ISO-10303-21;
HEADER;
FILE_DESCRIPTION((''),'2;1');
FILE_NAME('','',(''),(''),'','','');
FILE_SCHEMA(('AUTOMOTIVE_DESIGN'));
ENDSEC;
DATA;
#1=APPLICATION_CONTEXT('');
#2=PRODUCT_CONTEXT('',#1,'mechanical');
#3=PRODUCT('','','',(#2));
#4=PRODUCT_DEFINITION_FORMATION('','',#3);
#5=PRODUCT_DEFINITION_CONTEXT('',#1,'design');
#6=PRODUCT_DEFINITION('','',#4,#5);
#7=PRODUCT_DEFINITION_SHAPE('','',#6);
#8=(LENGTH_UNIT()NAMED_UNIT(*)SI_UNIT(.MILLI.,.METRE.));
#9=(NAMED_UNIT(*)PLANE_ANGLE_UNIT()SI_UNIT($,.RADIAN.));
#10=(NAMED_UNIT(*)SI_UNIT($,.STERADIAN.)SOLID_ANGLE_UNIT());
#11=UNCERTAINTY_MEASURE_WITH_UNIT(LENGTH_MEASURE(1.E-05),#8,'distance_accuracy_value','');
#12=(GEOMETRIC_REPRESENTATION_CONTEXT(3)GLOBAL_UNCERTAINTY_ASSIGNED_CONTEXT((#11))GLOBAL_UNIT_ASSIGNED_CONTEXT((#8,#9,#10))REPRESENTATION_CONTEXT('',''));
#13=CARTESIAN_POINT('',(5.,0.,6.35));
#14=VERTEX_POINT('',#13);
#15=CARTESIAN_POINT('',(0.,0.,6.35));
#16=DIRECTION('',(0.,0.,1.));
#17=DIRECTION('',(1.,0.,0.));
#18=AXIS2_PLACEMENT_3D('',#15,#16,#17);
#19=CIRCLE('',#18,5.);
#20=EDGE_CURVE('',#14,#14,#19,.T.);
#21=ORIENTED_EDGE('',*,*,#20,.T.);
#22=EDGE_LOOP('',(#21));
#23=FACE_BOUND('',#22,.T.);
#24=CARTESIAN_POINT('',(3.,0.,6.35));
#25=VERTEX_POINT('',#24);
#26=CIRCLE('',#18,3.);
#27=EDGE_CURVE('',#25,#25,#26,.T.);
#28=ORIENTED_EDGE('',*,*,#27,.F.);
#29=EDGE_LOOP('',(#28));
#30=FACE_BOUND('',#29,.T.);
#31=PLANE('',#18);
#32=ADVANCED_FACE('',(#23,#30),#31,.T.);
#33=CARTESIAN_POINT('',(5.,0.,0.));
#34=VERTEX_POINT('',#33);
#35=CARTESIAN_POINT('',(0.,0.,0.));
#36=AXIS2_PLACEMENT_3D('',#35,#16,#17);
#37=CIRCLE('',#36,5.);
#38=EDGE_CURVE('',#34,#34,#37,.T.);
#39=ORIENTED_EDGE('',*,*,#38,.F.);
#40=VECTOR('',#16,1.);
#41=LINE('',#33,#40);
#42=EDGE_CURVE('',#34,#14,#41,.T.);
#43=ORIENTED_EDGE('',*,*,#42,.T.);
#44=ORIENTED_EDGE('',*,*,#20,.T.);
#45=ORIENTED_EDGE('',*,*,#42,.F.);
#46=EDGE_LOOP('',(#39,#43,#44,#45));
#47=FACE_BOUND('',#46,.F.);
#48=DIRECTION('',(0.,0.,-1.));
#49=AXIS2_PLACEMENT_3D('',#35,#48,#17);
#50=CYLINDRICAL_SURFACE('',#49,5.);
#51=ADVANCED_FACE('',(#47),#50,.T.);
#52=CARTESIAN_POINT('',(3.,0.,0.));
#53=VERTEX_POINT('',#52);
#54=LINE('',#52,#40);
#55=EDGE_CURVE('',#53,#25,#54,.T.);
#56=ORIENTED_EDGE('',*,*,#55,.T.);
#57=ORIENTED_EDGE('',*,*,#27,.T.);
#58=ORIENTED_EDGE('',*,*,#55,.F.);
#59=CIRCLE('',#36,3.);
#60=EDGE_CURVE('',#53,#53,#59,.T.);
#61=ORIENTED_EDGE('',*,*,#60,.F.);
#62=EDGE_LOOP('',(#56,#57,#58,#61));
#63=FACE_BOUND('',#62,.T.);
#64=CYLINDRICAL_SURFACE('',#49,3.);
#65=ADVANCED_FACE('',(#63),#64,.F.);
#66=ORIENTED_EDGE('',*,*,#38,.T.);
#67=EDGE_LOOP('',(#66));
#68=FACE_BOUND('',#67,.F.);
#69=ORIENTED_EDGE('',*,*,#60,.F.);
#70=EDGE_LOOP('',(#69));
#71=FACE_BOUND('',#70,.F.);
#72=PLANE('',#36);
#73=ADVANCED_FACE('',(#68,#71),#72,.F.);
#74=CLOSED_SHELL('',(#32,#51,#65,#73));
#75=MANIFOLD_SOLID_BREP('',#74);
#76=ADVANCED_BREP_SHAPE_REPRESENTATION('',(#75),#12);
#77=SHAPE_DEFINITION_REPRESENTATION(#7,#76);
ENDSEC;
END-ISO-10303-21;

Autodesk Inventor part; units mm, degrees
ref_plane "YZ Plane" through (0, 0, 0) normal (1, 0, 0) x (0, 1, 0)
ref_plane "XZ Plane" through (0, 0, 0) normal (0, 1, 0) x (-1, 0, 0)
ref_plane "XY Plane" through (0, 0, 0) normal (0, 0, 1) x (1, 0, 0)
sketch "Sketch1" plane through (0, 0, 0) normal (0, 0, 1) x (1, 0, 0)
  circle A0 centre (0, 0) radius 3
  circle A1 centre (0, 0) radius 5
  dimension "d0" = 6
  dimension "d1" = 10
extrude "Extrusion1" add sketch "Sketch1" along normal blind 6.35
properties part number "double_BEARING_SPACER" material "3D Print Material - chopped carbon Nylon12 (preferred)"
